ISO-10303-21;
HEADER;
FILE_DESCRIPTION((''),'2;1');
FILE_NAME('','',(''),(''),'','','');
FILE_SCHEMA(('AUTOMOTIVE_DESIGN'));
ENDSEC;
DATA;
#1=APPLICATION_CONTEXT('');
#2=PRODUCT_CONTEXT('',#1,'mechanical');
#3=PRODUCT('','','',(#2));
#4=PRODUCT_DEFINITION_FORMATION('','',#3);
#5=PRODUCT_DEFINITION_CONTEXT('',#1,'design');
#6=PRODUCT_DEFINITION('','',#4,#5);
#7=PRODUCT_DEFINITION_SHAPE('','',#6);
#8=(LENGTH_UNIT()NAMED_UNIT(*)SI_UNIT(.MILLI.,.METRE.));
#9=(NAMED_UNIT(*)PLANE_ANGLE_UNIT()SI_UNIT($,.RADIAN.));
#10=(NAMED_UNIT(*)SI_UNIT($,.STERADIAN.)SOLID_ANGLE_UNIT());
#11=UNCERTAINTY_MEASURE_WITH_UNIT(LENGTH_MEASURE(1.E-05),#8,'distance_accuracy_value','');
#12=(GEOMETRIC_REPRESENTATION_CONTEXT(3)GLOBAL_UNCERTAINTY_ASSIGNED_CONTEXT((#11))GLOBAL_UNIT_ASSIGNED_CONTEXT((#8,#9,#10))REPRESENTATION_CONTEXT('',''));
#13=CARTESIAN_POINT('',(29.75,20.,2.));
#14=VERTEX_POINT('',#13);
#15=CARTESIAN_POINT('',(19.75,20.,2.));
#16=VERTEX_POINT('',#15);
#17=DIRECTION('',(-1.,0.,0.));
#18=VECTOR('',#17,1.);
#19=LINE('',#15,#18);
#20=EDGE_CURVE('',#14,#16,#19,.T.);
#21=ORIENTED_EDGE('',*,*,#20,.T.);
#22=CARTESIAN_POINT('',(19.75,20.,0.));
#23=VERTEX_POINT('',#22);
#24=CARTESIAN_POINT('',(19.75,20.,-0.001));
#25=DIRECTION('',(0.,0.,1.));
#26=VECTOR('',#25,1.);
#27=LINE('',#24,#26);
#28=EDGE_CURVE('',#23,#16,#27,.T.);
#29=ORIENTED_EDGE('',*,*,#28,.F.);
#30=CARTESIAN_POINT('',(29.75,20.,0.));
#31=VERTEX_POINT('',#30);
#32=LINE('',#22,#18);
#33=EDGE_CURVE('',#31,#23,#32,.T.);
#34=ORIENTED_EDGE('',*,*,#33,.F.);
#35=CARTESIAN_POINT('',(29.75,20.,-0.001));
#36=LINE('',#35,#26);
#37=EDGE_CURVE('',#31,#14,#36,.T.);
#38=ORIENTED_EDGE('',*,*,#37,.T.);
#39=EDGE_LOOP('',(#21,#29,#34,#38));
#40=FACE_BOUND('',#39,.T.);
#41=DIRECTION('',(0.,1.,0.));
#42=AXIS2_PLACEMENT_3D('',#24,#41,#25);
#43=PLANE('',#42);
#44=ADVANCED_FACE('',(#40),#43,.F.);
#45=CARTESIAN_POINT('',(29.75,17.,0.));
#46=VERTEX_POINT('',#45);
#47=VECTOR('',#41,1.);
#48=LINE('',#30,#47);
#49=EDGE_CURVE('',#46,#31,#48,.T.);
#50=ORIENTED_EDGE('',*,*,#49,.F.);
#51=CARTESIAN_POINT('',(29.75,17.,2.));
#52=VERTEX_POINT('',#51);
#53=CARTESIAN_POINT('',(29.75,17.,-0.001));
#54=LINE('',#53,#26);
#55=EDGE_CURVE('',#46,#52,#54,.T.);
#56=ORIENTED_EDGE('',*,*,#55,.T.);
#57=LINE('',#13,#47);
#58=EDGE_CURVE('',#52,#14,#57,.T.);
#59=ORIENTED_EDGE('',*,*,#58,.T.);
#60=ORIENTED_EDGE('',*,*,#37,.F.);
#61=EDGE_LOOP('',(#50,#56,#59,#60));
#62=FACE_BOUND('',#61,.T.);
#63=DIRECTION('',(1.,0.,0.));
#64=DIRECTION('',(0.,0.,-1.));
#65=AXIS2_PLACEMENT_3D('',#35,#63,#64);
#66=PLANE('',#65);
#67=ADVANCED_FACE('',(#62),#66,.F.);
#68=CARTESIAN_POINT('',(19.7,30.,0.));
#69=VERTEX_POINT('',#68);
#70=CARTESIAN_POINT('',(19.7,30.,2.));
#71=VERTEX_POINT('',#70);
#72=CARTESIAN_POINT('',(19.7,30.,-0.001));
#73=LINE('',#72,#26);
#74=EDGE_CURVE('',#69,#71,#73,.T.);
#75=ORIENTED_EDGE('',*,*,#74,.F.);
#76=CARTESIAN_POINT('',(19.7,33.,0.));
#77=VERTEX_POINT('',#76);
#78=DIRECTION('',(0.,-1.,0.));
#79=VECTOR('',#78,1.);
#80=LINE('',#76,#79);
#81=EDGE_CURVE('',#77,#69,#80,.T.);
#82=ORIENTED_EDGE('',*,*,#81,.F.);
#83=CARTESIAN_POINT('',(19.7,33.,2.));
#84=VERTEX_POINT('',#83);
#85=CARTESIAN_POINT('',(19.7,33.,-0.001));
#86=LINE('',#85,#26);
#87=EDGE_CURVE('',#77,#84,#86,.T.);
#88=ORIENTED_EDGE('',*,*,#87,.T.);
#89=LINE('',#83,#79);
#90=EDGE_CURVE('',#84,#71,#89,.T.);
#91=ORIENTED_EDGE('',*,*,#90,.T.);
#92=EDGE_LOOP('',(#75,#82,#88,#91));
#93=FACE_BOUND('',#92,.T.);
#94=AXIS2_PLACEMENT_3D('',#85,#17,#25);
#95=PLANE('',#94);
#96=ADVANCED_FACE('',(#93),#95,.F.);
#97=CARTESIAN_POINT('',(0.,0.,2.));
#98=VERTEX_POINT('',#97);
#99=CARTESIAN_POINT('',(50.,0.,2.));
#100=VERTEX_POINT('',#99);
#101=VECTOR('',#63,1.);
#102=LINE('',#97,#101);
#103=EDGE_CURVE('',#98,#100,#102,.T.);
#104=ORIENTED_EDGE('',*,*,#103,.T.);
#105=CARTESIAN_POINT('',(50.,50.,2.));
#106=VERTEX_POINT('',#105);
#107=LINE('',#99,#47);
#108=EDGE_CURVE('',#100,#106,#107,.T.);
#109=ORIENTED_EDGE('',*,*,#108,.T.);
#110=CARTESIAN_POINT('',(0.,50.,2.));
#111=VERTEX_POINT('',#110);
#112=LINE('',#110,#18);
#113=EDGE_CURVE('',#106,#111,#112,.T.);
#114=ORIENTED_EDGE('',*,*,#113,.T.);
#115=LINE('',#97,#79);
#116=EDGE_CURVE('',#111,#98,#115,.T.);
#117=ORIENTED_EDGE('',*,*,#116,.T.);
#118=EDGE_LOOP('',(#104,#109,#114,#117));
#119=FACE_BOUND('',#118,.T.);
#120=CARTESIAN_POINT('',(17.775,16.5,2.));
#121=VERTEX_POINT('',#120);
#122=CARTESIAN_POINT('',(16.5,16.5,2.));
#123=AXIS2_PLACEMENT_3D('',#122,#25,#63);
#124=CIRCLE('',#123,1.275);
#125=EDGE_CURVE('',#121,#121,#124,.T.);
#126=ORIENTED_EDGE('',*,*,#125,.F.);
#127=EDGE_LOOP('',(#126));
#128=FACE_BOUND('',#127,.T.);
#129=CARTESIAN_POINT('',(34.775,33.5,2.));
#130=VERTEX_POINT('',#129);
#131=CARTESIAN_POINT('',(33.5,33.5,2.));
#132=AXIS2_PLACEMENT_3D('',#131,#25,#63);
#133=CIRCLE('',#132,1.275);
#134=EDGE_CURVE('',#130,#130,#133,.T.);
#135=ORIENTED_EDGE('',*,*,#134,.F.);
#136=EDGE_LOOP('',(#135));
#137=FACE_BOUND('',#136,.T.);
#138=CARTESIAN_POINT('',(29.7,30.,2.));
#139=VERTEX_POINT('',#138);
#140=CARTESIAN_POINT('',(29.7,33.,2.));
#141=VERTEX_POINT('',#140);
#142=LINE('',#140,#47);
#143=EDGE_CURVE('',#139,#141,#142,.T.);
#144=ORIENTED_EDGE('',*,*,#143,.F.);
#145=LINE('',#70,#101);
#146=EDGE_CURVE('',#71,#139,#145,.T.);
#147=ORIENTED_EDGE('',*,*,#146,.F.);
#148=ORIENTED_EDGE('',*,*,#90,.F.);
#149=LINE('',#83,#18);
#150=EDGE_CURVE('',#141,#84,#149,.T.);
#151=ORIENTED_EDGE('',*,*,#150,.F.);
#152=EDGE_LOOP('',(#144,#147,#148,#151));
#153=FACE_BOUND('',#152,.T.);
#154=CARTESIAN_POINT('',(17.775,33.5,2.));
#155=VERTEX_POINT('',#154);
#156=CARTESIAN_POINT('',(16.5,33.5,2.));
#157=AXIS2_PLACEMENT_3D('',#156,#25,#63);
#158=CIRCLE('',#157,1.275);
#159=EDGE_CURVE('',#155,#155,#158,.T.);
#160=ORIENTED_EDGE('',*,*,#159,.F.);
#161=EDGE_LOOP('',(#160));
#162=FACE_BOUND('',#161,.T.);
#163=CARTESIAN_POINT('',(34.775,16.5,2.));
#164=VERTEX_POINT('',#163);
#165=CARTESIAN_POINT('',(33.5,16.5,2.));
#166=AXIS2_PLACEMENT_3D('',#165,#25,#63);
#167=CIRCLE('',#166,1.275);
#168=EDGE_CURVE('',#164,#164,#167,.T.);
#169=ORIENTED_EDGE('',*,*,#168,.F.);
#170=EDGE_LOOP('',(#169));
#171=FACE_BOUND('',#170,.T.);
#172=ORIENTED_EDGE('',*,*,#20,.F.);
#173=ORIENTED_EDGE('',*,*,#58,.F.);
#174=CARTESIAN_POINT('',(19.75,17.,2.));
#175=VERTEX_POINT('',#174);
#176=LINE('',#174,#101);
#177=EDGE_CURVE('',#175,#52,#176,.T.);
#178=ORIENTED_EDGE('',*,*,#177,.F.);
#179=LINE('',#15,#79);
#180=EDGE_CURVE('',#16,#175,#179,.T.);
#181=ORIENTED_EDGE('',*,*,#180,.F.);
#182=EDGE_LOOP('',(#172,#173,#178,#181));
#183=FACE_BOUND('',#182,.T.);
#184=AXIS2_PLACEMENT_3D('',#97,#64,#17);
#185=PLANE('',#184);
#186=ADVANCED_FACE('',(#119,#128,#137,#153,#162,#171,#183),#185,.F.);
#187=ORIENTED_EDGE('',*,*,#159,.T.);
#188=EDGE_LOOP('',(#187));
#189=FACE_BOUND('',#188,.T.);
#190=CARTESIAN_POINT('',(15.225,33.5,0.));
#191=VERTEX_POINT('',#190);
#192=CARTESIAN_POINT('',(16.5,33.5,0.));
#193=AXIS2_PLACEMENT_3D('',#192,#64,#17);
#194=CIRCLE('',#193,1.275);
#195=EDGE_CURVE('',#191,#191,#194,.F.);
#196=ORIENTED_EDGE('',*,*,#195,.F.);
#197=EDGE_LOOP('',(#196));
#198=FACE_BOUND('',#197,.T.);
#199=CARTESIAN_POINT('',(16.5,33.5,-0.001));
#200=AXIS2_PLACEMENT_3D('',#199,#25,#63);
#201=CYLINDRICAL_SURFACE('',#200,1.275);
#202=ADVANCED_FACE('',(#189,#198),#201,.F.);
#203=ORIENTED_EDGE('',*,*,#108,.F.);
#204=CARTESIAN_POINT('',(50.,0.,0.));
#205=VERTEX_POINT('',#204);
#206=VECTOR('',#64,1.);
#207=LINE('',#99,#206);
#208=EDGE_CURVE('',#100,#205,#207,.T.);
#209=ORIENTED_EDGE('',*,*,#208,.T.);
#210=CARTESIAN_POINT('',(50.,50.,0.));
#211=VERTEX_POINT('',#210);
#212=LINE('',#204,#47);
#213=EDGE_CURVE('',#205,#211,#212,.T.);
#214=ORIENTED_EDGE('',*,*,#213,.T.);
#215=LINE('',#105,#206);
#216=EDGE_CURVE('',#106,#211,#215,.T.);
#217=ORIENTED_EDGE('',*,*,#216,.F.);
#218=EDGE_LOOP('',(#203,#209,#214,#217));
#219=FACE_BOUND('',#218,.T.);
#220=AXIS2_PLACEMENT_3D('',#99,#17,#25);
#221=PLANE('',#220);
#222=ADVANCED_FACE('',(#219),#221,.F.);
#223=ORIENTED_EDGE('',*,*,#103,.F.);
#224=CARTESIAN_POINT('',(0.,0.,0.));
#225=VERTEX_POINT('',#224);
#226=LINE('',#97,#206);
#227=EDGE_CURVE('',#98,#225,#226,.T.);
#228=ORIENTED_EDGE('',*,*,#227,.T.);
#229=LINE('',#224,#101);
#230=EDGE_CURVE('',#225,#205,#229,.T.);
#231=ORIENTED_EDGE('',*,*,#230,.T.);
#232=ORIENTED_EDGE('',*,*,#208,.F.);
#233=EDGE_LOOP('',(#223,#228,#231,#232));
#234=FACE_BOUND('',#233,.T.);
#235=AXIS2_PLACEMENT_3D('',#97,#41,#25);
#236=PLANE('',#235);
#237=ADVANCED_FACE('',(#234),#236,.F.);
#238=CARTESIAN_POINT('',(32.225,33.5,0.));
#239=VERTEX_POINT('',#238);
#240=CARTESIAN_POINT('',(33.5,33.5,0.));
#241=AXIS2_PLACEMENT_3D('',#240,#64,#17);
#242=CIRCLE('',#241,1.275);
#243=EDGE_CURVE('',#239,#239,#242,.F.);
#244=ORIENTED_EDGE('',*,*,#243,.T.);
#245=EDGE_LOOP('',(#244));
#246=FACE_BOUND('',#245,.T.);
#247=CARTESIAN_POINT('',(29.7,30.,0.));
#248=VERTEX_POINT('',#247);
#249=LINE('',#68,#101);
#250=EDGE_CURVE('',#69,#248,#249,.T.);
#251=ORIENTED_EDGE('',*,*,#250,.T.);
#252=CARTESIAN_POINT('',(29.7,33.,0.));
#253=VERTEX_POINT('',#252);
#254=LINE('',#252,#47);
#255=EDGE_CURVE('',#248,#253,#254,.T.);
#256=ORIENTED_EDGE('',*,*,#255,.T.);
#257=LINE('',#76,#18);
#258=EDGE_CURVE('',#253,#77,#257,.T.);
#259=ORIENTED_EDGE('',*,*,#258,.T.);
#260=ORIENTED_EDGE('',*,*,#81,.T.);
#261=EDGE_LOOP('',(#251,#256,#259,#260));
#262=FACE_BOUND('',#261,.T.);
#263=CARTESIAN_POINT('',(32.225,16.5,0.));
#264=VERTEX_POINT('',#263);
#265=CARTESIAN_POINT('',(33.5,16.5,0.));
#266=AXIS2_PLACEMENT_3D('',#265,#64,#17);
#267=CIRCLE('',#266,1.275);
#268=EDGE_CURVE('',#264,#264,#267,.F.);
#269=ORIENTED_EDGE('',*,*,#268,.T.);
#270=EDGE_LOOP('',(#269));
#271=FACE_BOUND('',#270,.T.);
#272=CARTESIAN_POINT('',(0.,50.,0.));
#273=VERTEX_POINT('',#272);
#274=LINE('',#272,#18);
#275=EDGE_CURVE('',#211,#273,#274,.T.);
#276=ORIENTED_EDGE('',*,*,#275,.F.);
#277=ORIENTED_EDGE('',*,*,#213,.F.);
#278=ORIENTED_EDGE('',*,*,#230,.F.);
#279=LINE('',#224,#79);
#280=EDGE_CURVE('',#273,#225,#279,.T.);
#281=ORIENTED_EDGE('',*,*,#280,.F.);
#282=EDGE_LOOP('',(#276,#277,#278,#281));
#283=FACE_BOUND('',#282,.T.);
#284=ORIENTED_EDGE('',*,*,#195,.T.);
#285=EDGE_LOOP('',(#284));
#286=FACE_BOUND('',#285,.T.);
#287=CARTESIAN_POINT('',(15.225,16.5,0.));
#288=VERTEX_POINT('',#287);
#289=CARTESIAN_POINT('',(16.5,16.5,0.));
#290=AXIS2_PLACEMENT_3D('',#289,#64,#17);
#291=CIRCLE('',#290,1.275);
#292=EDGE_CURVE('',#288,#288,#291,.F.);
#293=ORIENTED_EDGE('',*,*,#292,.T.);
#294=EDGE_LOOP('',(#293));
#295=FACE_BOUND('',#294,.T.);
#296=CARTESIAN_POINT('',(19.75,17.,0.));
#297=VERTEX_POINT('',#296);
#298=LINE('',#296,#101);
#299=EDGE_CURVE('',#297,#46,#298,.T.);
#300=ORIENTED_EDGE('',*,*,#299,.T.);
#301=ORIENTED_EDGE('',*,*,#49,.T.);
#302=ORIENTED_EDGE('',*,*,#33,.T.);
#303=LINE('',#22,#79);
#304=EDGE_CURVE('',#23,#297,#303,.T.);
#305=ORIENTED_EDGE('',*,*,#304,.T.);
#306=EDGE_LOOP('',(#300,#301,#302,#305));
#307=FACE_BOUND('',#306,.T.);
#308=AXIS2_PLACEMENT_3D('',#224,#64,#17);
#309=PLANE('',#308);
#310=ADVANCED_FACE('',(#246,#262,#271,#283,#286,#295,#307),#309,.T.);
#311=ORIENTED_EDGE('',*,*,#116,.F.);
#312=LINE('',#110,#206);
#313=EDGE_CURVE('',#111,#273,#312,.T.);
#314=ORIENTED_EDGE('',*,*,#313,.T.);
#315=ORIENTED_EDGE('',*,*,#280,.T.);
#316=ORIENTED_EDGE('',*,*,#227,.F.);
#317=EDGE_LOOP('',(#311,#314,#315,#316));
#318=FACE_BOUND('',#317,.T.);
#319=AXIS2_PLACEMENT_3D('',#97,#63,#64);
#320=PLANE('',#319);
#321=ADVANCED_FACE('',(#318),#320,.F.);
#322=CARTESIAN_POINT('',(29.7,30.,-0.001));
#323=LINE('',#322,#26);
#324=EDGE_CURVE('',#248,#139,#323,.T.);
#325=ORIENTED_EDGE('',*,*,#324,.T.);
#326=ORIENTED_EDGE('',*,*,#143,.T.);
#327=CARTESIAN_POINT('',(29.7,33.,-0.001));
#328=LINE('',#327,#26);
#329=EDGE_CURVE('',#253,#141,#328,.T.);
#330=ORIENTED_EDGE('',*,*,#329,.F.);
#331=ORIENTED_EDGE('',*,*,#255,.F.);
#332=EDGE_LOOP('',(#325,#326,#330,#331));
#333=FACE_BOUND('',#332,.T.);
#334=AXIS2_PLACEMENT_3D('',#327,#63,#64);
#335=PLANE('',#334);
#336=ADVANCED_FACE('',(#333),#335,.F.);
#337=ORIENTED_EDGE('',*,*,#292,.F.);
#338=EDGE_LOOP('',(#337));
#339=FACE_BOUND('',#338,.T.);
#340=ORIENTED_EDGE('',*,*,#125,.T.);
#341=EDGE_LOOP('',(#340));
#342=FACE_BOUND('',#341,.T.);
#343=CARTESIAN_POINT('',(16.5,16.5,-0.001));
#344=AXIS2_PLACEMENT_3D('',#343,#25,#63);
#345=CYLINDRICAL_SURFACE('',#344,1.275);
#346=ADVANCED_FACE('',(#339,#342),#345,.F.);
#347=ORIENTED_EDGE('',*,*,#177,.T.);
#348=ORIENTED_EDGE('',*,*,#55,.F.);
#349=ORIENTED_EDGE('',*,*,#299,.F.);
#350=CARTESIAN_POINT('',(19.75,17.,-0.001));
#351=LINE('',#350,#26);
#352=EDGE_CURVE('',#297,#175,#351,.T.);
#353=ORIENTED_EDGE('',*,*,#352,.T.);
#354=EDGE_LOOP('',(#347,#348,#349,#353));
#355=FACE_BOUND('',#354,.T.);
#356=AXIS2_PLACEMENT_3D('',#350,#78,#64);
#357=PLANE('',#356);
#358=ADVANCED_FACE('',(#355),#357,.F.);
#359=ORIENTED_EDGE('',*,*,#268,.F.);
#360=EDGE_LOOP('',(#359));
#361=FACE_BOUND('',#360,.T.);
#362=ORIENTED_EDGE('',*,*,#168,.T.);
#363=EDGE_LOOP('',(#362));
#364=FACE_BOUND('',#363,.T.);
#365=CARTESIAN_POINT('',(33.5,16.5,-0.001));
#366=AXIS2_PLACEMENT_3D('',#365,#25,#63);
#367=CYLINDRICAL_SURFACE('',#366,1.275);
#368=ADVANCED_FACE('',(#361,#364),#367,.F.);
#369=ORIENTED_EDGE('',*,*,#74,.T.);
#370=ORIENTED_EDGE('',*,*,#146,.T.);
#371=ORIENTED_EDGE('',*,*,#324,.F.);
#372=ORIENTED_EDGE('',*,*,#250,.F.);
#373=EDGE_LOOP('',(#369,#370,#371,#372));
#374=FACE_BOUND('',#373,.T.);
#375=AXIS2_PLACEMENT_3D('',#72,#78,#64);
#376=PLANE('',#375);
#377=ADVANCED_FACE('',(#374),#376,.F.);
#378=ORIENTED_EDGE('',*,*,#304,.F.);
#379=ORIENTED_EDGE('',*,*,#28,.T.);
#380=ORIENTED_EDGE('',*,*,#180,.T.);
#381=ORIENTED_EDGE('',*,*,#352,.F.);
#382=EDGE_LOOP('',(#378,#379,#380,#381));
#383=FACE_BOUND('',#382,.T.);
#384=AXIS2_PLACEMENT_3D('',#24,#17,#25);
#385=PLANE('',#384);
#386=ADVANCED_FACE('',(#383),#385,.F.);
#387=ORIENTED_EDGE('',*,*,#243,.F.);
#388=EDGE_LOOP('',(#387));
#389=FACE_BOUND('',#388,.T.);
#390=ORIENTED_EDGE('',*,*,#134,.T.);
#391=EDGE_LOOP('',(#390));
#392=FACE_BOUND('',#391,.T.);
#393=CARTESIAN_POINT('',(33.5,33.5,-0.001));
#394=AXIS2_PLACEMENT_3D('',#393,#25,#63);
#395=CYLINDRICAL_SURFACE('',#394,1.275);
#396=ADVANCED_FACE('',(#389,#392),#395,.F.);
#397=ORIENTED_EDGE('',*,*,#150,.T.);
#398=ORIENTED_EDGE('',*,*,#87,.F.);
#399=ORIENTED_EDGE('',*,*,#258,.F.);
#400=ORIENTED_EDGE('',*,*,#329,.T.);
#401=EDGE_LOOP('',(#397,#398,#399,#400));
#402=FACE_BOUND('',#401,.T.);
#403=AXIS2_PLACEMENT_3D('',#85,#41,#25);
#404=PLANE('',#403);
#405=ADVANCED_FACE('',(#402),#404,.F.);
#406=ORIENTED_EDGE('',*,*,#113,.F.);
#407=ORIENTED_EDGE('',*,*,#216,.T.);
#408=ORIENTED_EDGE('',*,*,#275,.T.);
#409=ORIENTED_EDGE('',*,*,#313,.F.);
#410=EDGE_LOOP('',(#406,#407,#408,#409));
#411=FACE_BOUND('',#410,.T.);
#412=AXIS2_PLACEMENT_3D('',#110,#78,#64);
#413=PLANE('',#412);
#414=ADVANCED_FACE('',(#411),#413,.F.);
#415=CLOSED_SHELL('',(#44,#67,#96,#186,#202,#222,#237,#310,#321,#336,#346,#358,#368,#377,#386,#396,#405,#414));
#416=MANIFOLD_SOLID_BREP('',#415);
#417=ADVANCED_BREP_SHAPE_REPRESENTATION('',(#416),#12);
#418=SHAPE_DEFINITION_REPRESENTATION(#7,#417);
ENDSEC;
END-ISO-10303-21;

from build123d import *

# Parameters (mm, degrees)
SKETCH1_W           = 50
SKETCH1_H           = 50
BOSS_EXTRUDE1_DEPTH = 2
CUT_EXTRUDE1_REACH  = 72.739
SKETCH3_R           = 1.275
CUT_EXTRUDE2_REACH  = 72.739
SKETCH4_W           = 10
SKETCH4_H           = 3


with BuildPart() as part:
    # Sketch1 → Boss-Extrude1 (new body)
    with BuildSketch(Plane.XY):
        with Locations((25, 25)):
            Rectangle(SKETCH1_W, SKETCH1_H)
    extrude(amount=BOSS_EXTRUDE1_DEPTH)

    # Sketch3 → Cut-Extrude1 (cut, up to next)
    with BuildSketch(Plane.XY.offset(2), mode=Mode.PRIVATE) as cut_extrude1_sk1:
        with Locations((16.5, 33.5)):
            Circle(SKETCH3_R)
    cut_extrude1_tool1 = extrude(cut_extrude1_sk1.sketch, amount=-CUT_EXTRUDE1_REACH, mode=Mode.PRIVATE) & part.part
    # Sketch3 → Cut-Extrude1 (cut, up to next)
    with BuildSketch(Plane.XY.offset(2), mode=Mode.PRIVATE) as cut_extrude1_sk2:
        with Locations((33.5, 33.5)):
            Circle(SKETCH3_R)
    cut_extrude1_tool2 = extrude(cut_extrude1_sk2.sketch, amount=-CUT_EXTRUDE1_REACH, mode=Mode.PRIVATE) & part.part
    # Sketch3 → Cut-Extrude1 (cut, up to next)
    with BuildSketch(Plane.XY.offset(2), mode=Mode.PRIVATE) as cut_extrude1_sk3:
        with Locations((33.5, 16.5)):
            Circle(SKETCH3_R)
    cut_extrude1_tool3 = extrude(cut_extrude1_sk3.sketch, amount=-CUT_EXTRUDE1_REACH, mode=Mode.PRIVATE) & part.part
    # Sketch3 → Cut-Extrude1 (cut, up to next)
    with BuildSketch(Plane.XY.offset(2), mode=Mode.PRIVATE) as cut_extrude1_sk4:
        with Locations((16.5, 16.5)):
            Circle(SKETCH3_R)
    cut_extrude1_tool4 = extrude(cut_extrude1_sk4.sketch, amount=-CUT_EXTRUDE1_REACH, mode=Mode.PRIVATE) & part.part
    add(cut_extrude1_tool1.solids().sort_by_distance((16.5, 33.5, 2))[0], mode=Mode.SUBTRACT)
    add(cut_extrude1_tool2.solids().sort_by_distance((33.5, 33.5, 2))[0], mode=Mode.SUBTRACT)
    add(cut_extrude1_tool3.solids().sort_by_distance((33.5, 16.5, 2))[0], mode=Mode.SUBTRACT)
    add(cut_extrude1_tool4.solids().sort_by_distance((16.5, 16.5, 2))[0], mode=Mode.SUBTRACT)

    # Sketch4 → Cut-Extrude2 (cut, up to next)
    with BuildSketch(Plane.XY.offset(2), mode=Mode.PRIVATE) as cut_extrude2_sk1:
        with Locations((24.7, 31.5)):
            Rectangle(SKETCH4_W, SKETCH4_H)
    cut_extrude2_tool1 = extrude(cut_extrude2_sk1.sketch, amount=-CUT_EXTRUDE2_REACH, mode=Mode.PRIVATE) & part.part
    # Sketch4 → Cut-Extrude2 (cut, up to next)
    with BuildSketch(Plane.XY.offset(2), mode=Mode.PRIVATE) as cut_extrude2_sk2:
        with Locations((24.75, 18.5)):
            Rectangle(SKETCH4_W, SKETCH4_H)
    cut_extrude2_tool2 = extrude(cut_extrude2_sk2.sketch, amount=-CUT_EXTRUDE2_REACH, mode=Mode.PRIVATE) & part.part
    add(cut_extrude2_tool1.solids().sort_by_distance((24.7, 31.5, 2))[0], mode=Mode.SUBTRACT)
    add(cut_extrude2_tool2.solids().sort_by_distance((24.75, 18.5, 2))[0], mode=Mode.SUBTRACT)


solid = part.part
